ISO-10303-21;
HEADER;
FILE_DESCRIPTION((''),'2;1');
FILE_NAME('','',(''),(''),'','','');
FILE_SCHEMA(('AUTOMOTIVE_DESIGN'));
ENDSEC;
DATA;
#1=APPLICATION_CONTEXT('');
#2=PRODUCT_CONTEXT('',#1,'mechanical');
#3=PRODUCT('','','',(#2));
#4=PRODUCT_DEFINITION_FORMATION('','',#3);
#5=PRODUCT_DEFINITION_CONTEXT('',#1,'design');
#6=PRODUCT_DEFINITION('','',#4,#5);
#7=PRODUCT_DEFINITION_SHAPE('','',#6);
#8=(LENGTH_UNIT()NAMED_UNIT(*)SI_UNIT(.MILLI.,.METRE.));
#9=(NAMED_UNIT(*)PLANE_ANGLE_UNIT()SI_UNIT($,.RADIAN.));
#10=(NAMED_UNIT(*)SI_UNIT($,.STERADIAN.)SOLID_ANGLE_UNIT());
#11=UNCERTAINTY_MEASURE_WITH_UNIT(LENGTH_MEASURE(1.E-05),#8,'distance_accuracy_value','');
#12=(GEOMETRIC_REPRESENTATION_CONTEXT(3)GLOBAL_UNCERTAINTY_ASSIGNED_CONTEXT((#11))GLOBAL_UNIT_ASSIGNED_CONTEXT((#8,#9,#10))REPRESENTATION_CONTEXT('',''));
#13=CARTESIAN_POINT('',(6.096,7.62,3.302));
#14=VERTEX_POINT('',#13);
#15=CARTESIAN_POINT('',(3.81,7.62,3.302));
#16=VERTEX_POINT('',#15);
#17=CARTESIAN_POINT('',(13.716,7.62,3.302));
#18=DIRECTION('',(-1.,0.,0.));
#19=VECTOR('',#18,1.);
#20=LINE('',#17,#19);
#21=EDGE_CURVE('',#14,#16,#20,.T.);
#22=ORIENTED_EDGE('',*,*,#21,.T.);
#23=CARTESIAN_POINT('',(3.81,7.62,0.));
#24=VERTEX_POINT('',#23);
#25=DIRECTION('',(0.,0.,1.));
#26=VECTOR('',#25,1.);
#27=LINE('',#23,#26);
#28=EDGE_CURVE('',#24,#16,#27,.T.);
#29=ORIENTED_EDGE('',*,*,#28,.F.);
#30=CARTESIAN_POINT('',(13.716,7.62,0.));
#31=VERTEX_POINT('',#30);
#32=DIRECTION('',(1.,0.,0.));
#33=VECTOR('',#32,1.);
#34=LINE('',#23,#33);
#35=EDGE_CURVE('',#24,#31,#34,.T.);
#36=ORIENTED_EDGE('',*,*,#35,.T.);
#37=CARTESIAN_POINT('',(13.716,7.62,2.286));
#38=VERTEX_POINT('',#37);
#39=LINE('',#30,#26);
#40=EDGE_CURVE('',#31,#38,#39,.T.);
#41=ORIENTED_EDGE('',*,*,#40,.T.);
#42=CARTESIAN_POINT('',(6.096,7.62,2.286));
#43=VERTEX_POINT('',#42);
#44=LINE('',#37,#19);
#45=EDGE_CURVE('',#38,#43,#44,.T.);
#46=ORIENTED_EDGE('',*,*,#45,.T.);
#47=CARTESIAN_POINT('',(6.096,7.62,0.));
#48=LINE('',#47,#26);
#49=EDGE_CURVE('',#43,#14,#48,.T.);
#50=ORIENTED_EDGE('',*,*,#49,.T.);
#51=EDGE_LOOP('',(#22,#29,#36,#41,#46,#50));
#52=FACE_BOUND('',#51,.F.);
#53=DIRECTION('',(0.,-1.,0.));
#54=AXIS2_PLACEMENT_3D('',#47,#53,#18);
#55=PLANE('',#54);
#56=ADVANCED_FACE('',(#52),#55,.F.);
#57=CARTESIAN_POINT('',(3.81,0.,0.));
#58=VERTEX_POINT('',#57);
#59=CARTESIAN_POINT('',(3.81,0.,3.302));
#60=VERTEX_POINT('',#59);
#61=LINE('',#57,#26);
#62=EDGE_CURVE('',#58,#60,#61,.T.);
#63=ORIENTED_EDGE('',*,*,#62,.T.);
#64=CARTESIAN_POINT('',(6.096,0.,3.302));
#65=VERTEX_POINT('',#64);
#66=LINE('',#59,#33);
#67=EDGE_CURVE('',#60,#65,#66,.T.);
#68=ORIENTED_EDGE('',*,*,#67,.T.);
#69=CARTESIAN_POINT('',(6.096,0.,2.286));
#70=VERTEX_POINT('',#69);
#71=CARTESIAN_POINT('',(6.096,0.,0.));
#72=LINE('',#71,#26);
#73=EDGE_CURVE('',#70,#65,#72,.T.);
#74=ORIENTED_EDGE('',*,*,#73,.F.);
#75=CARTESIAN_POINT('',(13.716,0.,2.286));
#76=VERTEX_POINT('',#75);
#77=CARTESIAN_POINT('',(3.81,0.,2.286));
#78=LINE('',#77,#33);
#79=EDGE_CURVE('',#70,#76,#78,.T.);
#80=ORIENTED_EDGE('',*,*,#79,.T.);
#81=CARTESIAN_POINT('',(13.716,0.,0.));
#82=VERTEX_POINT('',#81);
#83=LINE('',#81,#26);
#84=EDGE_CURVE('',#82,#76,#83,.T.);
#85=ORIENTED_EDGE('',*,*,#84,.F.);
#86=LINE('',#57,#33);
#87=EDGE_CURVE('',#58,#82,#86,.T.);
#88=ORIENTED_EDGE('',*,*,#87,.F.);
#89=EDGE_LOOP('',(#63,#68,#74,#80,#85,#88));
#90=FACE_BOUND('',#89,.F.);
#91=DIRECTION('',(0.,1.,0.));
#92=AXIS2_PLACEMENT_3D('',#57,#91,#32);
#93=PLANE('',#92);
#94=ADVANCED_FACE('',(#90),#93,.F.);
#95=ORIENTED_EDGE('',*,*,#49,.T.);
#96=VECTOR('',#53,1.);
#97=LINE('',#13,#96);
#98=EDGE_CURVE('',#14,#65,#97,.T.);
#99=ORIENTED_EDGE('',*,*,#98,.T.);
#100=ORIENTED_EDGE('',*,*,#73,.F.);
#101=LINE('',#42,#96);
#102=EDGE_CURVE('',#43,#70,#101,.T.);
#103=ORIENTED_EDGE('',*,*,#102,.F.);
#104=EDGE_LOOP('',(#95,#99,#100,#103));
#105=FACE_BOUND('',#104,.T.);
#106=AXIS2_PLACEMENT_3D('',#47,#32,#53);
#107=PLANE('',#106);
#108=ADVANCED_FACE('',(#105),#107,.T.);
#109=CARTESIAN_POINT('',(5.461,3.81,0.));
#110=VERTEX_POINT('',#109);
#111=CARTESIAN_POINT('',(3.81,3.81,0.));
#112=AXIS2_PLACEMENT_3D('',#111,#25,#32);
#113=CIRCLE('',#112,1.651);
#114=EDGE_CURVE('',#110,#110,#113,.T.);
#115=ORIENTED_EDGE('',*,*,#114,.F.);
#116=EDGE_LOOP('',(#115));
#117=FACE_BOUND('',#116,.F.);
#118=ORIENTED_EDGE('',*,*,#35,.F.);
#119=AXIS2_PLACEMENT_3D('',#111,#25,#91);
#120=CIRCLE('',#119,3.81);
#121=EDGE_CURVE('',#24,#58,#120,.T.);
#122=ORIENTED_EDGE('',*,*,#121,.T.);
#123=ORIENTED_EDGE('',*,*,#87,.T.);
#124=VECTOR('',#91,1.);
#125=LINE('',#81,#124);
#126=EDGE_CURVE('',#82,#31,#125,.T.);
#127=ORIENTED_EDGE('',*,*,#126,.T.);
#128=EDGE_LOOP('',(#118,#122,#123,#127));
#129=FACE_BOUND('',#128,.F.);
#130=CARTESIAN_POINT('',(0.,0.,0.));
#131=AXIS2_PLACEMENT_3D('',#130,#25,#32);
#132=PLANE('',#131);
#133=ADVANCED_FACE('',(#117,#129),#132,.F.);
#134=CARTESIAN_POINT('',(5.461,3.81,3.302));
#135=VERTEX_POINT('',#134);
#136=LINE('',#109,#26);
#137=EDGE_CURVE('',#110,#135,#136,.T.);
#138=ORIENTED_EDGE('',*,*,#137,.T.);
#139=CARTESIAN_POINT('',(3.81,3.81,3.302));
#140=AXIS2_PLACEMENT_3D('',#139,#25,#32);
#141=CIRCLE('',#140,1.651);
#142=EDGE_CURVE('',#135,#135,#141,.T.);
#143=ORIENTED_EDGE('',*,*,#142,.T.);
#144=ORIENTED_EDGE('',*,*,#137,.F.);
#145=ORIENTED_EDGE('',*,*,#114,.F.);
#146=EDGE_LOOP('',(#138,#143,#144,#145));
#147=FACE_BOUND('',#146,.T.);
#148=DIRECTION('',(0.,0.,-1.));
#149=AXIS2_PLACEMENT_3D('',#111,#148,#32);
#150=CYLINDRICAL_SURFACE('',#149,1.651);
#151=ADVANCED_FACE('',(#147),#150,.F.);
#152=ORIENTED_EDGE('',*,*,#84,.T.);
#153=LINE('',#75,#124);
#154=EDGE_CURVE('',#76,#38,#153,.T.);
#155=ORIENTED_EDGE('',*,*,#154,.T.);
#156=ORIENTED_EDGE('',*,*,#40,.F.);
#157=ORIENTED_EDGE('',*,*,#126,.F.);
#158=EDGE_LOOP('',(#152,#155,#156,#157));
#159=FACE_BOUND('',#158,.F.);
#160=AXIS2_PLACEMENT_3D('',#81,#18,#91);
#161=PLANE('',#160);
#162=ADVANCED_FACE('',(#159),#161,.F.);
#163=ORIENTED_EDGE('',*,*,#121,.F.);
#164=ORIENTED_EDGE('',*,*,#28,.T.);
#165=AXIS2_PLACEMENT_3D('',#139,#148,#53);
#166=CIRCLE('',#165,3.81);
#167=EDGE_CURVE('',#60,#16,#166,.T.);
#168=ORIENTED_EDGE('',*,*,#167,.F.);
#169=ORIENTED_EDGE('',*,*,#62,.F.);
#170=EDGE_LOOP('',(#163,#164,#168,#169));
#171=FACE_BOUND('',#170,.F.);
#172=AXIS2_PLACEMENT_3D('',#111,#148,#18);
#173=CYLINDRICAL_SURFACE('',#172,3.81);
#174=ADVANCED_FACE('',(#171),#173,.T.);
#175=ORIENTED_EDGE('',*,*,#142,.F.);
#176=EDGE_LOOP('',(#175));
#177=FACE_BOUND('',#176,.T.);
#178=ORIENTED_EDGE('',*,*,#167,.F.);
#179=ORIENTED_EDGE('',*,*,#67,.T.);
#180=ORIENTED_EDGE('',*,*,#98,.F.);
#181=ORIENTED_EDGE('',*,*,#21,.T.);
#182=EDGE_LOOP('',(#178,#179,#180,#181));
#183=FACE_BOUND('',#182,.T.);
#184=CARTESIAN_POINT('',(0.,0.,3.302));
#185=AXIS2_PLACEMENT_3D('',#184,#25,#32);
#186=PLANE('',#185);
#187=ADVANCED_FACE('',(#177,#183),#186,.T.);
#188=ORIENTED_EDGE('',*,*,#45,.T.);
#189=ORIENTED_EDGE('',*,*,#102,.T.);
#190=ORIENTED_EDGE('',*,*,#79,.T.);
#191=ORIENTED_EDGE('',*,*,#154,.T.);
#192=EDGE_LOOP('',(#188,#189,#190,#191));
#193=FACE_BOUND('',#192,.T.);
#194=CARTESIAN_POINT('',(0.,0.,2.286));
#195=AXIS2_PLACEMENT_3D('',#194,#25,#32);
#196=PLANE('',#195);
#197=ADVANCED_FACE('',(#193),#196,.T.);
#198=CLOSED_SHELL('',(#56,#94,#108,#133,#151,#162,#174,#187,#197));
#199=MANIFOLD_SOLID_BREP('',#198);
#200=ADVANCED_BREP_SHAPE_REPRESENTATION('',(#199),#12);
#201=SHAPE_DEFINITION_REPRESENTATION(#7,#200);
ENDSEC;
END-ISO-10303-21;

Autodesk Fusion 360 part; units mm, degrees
sketch "Sketch1" plane through (0, 0, 0) normal (0, 0, 1) x (1, 0, 0)
  line L0 (3.81, 0) -> (13.716, 0)
  line L1 (13.716, 0) -> (13.716, 7.62)
  line L2 (13.716, 7.62) -> (3.81, 7.62)
  line L3 (0, 3.81) -> (0, 3.81)
  line L4 (6.096, 7.62) -> (6.096, 0)
  circle A0 centre (3.81, 3.81) radius 1.651
  arc A1 (0, 3.81) -> (3.81, 0) centre (3.81, 3.81) ccw
  arc A2 (3.81, 7.62) -> (0, 3.81) centre (3.81, 3.81) ccw
  point P0 (0, 7.62)
  dimension "d1" = 7.62
  dimension "d2" = 13.716
  dimension "d3" = 7.62
  dimension "d4" = 3.302
  dimension "d6" = 3.81
  dimension "d7" = 3.81
  dimension "d8" = 3.81
extrude "Extrude1" add sketch "Sketch1" along normal blind 3.302 contours L0 L2 L4 A1 A2
extrude "Extrude2" add sketch "Sketch1" along normal blind 2.286 contours L0 L1 L2 L4
